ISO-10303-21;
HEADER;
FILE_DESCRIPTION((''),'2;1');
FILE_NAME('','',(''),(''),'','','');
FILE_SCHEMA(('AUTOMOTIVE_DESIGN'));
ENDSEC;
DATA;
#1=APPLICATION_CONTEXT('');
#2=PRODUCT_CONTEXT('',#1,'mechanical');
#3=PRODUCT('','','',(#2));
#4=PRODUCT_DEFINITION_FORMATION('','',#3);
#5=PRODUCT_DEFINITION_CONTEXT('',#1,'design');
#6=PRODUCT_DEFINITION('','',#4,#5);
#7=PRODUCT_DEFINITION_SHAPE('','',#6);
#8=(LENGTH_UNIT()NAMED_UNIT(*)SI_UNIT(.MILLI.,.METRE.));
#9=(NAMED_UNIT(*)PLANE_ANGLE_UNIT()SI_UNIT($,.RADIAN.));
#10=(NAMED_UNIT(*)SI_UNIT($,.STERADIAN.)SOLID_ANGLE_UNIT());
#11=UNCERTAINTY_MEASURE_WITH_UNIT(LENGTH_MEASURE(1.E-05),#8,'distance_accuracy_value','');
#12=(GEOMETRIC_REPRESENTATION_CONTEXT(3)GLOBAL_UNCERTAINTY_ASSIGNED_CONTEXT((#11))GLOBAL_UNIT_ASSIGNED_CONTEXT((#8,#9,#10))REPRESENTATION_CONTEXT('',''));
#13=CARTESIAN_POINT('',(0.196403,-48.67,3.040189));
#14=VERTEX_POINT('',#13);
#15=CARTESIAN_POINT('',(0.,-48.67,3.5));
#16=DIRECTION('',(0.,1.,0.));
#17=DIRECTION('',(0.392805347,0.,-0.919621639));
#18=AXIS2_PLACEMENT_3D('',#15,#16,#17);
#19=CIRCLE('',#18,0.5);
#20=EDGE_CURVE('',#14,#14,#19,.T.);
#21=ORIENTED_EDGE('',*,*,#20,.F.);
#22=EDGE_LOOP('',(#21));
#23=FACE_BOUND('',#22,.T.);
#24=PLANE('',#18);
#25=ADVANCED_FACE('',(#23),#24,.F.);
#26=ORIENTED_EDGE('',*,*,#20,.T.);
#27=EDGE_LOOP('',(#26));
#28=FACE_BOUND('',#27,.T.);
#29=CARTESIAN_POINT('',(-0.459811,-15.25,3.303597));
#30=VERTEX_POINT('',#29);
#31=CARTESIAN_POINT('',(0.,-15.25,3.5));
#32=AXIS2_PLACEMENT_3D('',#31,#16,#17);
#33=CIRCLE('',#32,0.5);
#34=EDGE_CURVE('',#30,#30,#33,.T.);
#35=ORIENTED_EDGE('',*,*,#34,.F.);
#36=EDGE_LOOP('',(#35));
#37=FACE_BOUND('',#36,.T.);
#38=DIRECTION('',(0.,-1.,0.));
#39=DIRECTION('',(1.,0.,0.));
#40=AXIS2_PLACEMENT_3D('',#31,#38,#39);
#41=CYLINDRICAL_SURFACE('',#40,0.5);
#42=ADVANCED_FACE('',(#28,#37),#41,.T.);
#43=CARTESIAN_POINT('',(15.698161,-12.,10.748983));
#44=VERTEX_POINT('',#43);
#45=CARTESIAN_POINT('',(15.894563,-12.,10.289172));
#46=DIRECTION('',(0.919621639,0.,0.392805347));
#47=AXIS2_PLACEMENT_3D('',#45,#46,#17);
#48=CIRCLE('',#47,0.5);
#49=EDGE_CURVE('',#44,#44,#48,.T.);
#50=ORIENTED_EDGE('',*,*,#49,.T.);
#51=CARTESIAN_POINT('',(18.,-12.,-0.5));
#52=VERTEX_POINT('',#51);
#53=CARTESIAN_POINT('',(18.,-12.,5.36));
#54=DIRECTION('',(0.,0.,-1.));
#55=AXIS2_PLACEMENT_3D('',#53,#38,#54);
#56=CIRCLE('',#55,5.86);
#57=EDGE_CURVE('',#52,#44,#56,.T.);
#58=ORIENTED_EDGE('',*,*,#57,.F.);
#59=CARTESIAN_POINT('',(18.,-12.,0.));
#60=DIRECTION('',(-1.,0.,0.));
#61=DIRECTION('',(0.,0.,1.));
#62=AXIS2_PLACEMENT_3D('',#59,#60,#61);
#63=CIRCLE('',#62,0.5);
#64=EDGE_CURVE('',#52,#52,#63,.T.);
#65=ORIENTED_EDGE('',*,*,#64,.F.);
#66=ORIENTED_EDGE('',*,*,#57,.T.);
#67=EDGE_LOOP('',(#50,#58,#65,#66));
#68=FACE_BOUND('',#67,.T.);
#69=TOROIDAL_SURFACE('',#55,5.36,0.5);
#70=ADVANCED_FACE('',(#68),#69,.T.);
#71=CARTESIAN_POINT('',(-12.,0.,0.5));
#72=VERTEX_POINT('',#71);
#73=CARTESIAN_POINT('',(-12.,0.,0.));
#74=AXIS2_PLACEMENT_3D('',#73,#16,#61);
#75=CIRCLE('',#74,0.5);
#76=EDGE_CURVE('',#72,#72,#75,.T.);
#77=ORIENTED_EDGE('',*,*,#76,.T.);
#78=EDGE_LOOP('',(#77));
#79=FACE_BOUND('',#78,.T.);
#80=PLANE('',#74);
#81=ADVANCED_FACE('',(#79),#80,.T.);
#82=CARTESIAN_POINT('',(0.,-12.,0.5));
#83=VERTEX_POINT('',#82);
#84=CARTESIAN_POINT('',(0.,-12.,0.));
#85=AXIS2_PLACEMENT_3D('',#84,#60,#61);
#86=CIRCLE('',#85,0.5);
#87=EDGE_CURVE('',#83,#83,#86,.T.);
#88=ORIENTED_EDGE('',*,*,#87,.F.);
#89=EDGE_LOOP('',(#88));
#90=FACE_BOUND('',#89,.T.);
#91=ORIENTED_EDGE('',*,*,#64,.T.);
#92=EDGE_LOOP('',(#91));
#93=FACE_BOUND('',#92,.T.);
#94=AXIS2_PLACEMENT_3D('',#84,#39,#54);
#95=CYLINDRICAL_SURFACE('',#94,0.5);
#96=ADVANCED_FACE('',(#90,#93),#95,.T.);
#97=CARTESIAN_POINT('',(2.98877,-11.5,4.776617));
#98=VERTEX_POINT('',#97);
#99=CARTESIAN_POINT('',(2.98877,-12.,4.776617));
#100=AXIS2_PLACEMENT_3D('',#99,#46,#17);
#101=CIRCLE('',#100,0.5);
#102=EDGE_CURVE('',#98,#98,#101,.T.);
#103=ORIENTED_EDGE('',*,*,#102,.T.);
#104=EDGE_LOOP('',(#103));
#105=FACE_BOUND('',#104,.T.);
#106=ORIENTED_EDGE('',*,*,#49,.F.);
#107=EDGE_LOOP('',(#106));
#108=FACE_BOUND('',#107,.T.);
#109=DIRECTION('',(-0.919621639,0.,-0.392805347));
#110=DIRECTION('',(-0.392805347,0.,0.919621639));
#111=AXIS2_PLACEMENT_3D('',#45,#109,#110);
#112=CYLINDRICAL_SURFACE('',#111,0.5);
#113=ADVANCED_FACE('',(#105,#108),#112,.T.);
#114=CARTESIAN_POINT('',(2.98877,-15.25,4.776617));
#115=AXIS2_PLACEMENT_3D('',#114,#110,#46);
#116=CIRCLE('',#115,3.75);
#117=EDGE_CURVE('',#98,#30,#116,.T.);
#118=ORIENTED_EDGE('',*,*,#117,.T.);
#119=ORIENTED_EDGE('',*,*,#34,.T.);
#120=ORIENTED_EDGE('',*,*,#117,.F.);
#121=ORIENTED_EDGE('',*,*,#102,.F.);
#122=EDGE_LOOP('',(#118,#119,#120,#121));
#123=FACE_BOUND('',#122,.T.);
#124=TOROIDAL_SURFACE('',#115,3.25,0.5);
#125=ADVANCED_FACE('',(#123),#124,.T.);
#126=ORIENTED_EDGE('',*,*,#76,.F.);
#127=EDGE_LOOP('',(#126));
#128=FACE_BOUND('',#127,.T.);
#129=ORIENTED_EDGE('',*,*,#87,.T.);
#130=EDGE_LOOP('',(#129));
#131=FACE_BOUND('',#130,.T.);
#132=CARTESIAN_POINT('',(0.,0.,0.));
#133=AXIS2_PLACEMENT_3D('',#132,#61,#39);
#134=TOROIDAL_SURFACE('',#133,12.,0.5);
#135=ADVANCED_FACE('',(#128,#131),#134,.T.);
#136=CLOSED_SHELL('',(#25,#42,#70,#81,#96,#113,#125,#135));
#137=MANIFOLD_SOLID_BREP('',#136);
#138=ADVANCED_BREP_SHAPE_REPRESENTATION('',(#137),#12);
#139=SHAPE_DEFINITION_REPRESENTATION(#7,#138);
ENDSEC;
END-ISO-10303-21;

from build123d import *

# Parameters (mm, degrees)
SKETCH6_R = 0.5


with BuildPart() as part:
    # Sweep1: sweep along a curve in space
    with BuildLine() as sweep1_path:
        ThreePointArc((-12, 0, 0), (-8.485281374, -8.485281374, 0), (0, -12, 0))
        Line((0, -12, 0), (18, -12, 0))
        ThreePointArc((18, -12, 0), (23.251188525, -12, 6.434532027), (15.894563339, -12, 10.289171986))
        Line((15.894563339, -12, 10.289171986), (2.988770327, -12, 4.776617378))
        ThreePointArc((2.988770327, -12, 4.776617378), (0.875390561, -12.951902961, 3.873912573), (0, -15.25, 3.5))
        Line((0, -15.25, 3.5), (0, -48.67, 3.5))
    # Sketch6 → Sweep1 (sweep)
    with BuildSketch(Plane(origin=(0, 0, 0), x_dir=(1, 0, 0), z_dir=(0, 1, 0))):
        with Locations((-12, 0)):
            Circle(SKETCH6_R)
    sweep(path=sweep1_path.line)


solid = part.part
